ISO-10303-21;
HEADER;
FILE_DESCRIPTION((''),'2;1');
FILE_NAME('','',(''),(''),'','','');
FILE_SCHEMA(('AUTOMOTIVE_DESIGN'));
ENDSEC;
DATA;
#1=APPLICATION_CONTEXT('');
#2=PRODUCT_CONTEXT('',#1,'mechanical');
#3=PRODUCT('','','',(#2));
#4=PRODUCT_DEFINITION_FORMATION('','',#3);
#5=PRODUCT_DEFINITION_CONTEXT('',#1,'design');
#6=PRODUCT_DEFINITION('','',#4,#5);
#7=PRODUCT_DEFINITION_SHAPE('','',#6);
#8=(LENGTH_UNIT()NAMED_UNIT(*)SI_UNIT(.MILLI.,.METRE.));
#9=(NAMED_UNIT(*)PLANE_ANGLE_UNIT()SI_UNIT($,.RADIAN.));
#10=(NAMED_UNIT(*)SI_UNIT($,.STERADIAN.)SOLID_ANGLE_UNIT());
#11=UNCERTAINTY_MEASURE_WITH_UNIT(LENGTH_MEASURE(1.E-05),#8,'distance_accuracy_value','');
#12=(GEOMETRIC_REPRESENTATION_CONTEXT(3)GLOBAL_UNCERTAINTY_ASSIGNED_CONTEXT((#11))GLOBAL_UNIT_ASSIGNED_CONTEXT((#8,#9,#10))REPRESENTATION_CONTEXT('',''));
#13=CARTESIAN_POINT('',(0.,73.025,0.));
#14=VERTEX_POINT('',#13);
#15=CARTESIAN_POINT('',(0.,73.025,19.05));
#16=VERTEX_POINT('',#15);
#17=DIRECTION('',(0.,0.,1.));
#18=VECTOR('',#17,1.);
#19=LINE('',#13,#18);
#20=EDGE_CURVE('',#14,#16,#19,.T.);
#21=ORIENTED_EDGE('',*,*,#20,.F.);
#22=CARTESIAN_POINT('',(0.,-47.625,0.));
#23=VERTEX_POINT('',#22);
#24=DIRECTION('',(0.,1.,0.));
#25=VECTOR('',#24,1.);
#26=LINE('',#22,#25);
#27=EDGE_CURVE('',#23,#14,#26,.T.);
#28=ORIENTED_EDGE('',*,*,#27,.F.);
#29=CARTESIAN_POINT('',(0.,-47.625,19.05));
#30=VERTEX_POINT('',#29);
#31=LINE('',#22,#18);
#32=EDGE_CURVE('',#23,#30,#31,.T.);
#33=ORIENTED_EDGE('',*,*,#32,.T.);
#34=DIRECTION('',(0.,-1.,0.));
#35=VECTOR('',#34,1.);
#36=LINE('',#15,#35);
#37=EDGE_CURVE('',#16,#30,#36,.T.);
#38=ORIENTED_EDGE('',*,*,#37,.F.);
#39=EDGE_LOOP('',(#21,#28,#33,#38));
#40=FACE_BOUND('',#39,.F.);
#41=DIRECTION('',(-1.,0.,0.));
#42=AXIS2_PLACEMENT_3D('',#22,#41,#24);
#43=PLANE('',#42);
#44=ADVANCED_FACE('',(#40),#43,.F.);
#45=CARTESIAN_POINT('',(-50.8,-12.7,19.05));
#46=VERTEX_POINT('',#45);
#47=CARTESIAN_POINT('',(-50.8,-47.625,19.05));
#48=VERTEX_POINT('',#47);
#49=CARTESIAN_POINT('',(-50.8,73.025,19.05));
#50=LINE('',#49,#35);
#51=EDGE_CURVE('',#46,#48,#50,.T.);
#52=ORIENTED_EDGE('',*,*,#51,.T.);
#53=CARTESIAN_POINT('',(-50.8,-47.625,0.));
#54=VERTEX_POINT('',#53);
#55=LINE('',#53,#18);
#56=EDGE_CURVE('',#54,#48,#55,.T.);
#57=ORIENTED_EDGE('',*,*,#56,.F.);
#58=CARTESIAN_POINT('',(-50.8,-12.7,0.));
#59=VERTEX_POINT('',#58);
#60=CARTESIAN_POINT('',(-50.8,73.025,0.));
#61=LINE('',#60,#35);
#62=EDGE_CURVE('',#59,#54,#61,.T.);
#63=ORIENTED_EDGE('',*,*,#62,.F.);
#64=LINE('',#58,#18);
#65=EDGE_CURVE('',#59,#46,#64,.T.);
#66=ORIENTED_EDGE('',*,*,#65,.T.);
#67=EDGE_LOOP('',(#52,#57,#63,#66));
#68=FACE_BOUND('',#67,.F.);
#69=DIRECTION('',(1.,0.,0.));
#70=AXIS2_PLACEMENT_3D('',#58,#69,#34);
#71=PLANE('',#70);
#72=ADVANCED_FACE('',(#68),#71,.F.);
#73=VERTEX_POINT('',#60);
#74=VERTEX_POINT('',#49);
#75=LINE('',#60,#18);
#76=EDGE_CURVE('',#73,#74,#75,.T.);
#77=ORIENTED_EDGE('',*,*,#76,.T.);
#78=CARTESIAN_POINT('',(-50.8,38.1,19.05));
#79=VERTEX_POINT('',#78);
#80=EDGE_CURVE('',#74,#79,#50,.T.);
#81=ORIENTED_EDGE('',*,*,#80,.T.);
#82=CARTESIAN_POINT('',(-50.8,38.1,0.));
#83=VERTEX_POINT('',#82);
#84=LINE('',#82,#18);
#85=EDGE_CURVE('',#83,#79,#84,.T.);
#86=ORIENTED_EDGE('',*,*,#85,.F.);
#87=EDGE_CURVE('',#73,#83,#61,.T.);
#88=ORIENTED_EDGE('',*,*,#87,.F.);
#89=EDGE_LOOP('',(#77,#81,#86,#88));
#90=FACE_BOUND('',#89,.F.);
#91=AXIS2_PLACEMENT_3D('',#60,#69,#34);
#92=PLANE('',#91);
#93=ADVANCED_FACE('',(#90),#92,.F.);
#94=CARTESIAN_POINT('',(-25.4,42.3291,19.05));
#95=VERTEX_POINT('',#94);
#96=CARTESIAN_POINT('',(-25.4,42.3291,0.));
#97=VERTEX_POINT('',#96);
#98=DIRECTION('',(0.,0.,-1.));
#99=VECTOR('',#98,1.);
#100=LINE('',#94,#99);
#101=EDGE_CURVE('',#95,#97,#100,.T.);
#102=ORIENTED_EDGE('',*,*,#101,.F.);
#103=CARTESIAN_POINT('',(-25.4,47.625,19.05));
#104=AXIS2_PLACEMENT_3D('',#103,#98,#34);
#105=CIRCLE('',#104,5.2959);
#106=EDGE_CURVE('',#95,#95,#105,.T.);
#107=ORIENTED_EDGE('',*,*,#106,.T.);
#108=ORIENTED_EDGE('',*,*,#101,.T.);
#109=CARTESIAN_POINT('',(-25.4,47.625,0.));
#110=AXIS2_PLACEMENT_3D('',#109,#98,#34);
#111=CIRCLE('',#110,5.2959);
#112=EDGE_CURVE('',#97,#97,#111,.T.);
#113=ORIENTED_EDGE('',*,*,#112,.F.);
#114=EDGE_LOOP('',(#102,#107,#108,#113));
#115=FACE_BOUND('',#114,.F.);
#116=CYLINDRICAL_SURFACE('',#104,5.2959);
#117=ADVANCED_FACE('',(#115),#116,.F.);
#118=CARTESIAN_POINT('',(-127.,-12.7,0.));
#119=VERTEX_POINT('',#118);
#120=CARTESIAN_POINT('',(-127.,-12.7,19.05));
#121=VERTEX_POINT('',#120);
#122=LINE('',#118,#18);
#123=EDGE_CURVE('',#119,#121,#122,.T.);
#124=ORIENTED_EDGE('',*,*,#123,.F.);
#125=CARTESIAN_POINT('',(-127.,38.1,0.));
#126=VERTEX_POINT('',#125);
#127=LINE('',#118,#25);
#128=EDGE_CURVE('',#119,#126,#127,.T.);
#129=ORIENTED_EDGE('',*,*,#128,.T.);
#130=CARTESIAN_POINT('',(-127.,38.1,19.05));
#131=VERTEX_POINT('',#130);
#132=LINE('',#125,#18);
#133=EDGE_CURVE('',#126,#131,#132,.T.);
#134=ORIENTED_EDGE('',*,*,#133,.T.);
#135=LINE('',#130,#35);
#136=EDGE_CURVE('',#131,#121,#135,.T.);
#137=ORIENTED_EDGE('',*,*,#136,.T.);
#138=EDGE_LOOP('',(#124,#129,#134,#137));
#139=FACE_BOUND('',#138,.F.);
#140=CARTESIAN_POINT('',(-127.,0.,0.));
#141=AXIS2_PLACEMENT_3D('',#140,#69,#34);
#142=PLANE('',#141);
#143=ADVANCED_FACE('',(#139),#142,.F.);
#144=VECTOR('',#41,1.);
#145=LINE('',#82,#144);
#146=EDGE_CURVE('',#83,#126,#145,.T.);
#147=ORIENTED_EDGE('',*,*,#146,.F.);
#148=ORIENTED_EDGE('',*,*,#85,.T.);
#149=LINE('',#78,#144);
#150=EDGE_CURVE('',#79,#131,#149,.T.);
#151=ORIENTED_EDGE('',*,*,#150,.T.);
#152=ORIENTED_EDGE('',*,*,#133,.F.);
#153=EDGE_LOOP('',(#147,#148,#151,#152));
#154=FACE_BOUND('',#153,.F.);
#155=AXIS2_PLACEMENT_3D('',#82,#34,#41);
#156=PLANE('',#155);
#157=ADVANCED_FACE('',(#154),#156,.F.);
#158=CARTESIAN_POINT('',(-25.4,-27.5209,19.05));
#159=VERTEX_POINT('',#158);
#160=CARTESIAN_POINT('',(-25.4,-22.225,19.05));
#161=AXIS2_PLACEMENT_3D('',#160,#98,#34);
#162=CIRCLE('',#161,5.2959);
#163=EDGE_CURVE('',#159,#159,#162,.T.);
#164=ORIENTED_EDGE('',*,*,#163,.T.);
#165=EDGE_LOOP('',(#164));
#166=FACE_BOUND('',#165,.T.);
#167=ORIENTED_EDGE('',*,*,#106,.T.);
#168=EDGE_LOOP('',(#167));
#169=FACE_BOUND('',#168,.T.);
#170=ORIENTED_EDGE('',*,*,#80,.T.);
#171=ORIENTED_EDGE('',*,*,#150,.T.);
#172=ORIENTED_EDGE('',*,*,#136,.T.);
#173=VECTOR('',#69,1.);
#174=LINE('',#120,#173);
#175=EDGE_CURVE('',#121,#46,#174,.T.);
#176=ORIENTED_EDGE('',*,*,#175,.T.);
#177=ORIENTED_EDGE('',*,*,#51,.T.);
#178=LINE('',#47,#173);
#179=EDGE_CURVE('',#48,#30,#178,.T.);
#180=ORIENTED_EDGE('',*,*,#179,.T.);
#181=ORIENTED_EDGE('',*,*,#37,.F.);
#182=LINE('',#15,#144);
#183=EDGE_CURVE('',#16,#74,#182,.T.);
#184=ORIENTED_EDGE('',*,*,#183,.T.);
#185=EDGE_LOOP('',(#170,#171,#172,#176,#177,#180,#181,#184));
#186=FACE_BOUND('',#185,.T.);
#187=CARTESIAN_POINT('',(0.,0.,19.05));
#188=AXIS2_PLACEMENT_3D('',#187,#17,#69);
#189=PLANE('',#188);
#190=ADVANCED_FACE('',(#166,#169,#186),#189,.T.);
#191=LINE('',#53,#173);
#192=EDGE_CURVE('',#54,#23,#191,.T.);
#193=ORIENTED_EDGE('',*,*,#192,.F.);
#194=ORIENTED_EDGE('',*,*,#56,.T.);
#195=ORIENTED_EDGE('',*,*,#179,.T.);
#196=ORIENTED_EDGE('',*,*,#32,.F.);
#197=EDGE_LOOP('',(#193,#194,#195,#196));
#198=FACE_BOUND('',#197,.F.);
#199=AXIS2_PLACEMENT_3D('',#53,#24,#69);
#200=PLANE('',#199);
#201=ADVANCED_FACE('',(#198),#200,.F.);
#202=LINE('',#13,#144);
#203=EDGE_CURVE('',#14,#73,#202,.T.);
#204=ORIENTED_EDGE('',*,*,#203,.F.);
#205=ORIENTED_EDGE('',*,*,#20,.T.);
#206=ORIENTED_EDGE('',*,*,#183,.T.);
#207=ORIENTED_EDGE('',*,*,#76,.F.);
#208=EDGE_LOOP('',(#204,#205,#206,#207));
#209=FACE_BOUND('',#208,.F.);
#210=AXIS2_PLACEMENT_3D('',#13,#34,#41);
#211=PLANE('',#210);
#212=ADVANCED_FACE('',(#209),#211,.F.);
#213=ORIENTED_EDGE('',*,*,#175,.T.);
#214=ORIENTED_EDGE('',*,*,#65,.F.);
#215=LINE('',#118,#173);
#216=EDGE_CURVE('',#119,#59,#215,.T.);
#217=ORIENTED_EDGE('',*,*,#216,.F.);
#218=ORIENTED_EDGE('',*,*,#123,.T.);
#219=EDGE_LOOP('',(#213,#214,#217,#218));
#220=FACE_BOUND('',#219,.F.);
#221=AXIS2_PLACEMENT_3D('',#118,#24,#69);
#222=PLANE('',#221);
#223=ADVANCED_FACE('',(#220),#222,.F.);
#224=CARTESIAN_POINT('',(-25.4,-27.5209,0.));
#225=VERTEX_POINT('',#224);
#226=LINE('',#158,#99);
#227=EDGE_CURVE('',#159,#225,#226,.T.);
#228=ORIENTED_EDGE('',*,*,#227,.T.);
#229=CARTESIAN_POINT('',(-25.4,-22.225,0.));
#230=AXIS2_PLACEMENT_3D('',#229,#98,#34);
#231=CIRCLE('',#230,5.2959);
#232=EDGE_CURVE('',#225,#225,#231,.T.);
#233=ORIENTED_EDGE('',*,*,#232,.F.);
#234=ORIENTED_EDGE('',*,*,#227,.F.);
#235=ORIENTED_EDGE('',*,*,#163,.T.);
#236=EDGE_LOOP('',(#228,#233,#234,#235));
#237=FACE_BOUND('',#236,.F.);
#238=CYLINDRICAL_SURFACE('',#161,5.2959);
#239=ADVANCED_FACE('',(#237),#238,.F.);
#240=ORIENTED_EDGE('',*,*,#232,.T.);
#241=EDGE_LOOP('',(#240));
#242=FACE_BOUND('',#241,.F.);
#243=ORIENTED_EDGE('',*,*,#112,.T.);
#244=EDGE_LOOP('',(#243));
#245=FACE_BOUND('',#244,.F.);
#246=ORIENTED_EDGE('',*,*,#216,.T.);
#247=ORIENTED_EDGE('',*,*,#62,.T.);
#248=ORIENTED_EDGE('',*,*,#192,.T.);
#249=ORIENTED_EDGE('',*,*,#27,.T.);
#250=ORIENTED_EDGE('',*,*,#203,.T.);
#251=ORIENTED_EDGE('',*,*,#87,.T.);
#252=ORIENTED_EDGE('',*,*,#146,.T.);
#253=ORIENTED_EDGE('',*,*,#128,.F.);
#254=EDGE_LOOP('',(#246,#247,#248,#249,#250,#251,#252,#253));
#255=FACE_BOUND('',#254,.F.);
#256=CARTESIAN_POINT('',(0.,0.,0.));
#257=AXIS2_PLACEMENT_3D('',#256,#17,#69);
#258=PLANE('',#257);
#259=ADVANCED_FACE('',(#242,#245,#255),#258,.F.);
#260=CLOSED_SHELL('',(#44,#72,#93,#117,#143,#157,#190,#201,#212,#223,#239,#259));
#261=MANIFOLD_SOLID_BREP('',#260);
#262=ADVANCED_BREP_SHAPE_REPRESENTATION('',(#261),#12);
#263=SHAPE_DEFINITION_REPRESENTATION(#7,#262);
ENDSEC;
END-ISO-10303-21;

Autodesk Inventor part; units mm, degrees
ref_plane "YZ Plane" through (0, 0, 0) normal (1, 0, 0) x (0, 1, 0)
ref_plane "XZ Plane" through (0, 0, 0) normal (0, 1, 0) x (-1, 0, 0)
ref_plane "XY Plane" through (0, 0, 0) normal (0, 0, 1) x (1, 0, 0)
sketch "Sketch1" plane through (0, 0, 0) normal (0, 0, 1) x (1, 0, 0)
  line L0 (0, 0) -> (-127, 0) projected
  line L1 (0, 0) -> (0, 25.4) projected
  line L2 (0, 25.4) -> (-127, 25.4) projected
  line L3 (-127, 0) -> (-127, 25.4) projected
  line L4 (0, 73.025) -> (-50.8, 73.025)
  line L5 (-50.8, 73.025) -> (-50.8, -47.625)
  line L6 (-50.8, -47.625) -> (0, -47.625)
  line L7 (0, -47.625) -> (0, 73.025)
  line L8 (-50.8, 38.1) -> (-127, 38.1)
  line L9 (-127, 38.1) -> (-127, -12.7)
  line L10 (-127, -12.7) -> (-50.8, -12.7)
  line L11 (-50.8, -12.7) -> (-50.8, 38.1)
  line L12 (-150.4488, 12.7) -> (41.0315, 12.7)
  dimension "d0" = 50.8
  dimension "d1" = 0
  dimension "d2" = 50.8
  dimension "d4" = 120.65
  dimension "d5" = 60.325
  dimension "d6" = 25.4
extrude "Extrusion1" add sketch "Sketch1" along normal blind 19.05
hole "Hole1" at (-25.4, 47.625, 19.05) direction (0, 0, -1) diameter 10.5918 end through all thread size "1/2-13 UNC" class "1B" standard "ANSI Unified Screw Threads"
hole "Hole2" at (-25.4, -22.225, 19.05) direction (0, 0, -1) diameter 10.5918 end through all thread size "1/2-13 UNC" class "1B" standard "ANSI Unified Screw Threads"
equation "\"d2\" = d0"
equation "\"d5\" = 0.5 * d4"
equation "\"d6\" = 0.5 * d2"
properties part number "Tbracket"
